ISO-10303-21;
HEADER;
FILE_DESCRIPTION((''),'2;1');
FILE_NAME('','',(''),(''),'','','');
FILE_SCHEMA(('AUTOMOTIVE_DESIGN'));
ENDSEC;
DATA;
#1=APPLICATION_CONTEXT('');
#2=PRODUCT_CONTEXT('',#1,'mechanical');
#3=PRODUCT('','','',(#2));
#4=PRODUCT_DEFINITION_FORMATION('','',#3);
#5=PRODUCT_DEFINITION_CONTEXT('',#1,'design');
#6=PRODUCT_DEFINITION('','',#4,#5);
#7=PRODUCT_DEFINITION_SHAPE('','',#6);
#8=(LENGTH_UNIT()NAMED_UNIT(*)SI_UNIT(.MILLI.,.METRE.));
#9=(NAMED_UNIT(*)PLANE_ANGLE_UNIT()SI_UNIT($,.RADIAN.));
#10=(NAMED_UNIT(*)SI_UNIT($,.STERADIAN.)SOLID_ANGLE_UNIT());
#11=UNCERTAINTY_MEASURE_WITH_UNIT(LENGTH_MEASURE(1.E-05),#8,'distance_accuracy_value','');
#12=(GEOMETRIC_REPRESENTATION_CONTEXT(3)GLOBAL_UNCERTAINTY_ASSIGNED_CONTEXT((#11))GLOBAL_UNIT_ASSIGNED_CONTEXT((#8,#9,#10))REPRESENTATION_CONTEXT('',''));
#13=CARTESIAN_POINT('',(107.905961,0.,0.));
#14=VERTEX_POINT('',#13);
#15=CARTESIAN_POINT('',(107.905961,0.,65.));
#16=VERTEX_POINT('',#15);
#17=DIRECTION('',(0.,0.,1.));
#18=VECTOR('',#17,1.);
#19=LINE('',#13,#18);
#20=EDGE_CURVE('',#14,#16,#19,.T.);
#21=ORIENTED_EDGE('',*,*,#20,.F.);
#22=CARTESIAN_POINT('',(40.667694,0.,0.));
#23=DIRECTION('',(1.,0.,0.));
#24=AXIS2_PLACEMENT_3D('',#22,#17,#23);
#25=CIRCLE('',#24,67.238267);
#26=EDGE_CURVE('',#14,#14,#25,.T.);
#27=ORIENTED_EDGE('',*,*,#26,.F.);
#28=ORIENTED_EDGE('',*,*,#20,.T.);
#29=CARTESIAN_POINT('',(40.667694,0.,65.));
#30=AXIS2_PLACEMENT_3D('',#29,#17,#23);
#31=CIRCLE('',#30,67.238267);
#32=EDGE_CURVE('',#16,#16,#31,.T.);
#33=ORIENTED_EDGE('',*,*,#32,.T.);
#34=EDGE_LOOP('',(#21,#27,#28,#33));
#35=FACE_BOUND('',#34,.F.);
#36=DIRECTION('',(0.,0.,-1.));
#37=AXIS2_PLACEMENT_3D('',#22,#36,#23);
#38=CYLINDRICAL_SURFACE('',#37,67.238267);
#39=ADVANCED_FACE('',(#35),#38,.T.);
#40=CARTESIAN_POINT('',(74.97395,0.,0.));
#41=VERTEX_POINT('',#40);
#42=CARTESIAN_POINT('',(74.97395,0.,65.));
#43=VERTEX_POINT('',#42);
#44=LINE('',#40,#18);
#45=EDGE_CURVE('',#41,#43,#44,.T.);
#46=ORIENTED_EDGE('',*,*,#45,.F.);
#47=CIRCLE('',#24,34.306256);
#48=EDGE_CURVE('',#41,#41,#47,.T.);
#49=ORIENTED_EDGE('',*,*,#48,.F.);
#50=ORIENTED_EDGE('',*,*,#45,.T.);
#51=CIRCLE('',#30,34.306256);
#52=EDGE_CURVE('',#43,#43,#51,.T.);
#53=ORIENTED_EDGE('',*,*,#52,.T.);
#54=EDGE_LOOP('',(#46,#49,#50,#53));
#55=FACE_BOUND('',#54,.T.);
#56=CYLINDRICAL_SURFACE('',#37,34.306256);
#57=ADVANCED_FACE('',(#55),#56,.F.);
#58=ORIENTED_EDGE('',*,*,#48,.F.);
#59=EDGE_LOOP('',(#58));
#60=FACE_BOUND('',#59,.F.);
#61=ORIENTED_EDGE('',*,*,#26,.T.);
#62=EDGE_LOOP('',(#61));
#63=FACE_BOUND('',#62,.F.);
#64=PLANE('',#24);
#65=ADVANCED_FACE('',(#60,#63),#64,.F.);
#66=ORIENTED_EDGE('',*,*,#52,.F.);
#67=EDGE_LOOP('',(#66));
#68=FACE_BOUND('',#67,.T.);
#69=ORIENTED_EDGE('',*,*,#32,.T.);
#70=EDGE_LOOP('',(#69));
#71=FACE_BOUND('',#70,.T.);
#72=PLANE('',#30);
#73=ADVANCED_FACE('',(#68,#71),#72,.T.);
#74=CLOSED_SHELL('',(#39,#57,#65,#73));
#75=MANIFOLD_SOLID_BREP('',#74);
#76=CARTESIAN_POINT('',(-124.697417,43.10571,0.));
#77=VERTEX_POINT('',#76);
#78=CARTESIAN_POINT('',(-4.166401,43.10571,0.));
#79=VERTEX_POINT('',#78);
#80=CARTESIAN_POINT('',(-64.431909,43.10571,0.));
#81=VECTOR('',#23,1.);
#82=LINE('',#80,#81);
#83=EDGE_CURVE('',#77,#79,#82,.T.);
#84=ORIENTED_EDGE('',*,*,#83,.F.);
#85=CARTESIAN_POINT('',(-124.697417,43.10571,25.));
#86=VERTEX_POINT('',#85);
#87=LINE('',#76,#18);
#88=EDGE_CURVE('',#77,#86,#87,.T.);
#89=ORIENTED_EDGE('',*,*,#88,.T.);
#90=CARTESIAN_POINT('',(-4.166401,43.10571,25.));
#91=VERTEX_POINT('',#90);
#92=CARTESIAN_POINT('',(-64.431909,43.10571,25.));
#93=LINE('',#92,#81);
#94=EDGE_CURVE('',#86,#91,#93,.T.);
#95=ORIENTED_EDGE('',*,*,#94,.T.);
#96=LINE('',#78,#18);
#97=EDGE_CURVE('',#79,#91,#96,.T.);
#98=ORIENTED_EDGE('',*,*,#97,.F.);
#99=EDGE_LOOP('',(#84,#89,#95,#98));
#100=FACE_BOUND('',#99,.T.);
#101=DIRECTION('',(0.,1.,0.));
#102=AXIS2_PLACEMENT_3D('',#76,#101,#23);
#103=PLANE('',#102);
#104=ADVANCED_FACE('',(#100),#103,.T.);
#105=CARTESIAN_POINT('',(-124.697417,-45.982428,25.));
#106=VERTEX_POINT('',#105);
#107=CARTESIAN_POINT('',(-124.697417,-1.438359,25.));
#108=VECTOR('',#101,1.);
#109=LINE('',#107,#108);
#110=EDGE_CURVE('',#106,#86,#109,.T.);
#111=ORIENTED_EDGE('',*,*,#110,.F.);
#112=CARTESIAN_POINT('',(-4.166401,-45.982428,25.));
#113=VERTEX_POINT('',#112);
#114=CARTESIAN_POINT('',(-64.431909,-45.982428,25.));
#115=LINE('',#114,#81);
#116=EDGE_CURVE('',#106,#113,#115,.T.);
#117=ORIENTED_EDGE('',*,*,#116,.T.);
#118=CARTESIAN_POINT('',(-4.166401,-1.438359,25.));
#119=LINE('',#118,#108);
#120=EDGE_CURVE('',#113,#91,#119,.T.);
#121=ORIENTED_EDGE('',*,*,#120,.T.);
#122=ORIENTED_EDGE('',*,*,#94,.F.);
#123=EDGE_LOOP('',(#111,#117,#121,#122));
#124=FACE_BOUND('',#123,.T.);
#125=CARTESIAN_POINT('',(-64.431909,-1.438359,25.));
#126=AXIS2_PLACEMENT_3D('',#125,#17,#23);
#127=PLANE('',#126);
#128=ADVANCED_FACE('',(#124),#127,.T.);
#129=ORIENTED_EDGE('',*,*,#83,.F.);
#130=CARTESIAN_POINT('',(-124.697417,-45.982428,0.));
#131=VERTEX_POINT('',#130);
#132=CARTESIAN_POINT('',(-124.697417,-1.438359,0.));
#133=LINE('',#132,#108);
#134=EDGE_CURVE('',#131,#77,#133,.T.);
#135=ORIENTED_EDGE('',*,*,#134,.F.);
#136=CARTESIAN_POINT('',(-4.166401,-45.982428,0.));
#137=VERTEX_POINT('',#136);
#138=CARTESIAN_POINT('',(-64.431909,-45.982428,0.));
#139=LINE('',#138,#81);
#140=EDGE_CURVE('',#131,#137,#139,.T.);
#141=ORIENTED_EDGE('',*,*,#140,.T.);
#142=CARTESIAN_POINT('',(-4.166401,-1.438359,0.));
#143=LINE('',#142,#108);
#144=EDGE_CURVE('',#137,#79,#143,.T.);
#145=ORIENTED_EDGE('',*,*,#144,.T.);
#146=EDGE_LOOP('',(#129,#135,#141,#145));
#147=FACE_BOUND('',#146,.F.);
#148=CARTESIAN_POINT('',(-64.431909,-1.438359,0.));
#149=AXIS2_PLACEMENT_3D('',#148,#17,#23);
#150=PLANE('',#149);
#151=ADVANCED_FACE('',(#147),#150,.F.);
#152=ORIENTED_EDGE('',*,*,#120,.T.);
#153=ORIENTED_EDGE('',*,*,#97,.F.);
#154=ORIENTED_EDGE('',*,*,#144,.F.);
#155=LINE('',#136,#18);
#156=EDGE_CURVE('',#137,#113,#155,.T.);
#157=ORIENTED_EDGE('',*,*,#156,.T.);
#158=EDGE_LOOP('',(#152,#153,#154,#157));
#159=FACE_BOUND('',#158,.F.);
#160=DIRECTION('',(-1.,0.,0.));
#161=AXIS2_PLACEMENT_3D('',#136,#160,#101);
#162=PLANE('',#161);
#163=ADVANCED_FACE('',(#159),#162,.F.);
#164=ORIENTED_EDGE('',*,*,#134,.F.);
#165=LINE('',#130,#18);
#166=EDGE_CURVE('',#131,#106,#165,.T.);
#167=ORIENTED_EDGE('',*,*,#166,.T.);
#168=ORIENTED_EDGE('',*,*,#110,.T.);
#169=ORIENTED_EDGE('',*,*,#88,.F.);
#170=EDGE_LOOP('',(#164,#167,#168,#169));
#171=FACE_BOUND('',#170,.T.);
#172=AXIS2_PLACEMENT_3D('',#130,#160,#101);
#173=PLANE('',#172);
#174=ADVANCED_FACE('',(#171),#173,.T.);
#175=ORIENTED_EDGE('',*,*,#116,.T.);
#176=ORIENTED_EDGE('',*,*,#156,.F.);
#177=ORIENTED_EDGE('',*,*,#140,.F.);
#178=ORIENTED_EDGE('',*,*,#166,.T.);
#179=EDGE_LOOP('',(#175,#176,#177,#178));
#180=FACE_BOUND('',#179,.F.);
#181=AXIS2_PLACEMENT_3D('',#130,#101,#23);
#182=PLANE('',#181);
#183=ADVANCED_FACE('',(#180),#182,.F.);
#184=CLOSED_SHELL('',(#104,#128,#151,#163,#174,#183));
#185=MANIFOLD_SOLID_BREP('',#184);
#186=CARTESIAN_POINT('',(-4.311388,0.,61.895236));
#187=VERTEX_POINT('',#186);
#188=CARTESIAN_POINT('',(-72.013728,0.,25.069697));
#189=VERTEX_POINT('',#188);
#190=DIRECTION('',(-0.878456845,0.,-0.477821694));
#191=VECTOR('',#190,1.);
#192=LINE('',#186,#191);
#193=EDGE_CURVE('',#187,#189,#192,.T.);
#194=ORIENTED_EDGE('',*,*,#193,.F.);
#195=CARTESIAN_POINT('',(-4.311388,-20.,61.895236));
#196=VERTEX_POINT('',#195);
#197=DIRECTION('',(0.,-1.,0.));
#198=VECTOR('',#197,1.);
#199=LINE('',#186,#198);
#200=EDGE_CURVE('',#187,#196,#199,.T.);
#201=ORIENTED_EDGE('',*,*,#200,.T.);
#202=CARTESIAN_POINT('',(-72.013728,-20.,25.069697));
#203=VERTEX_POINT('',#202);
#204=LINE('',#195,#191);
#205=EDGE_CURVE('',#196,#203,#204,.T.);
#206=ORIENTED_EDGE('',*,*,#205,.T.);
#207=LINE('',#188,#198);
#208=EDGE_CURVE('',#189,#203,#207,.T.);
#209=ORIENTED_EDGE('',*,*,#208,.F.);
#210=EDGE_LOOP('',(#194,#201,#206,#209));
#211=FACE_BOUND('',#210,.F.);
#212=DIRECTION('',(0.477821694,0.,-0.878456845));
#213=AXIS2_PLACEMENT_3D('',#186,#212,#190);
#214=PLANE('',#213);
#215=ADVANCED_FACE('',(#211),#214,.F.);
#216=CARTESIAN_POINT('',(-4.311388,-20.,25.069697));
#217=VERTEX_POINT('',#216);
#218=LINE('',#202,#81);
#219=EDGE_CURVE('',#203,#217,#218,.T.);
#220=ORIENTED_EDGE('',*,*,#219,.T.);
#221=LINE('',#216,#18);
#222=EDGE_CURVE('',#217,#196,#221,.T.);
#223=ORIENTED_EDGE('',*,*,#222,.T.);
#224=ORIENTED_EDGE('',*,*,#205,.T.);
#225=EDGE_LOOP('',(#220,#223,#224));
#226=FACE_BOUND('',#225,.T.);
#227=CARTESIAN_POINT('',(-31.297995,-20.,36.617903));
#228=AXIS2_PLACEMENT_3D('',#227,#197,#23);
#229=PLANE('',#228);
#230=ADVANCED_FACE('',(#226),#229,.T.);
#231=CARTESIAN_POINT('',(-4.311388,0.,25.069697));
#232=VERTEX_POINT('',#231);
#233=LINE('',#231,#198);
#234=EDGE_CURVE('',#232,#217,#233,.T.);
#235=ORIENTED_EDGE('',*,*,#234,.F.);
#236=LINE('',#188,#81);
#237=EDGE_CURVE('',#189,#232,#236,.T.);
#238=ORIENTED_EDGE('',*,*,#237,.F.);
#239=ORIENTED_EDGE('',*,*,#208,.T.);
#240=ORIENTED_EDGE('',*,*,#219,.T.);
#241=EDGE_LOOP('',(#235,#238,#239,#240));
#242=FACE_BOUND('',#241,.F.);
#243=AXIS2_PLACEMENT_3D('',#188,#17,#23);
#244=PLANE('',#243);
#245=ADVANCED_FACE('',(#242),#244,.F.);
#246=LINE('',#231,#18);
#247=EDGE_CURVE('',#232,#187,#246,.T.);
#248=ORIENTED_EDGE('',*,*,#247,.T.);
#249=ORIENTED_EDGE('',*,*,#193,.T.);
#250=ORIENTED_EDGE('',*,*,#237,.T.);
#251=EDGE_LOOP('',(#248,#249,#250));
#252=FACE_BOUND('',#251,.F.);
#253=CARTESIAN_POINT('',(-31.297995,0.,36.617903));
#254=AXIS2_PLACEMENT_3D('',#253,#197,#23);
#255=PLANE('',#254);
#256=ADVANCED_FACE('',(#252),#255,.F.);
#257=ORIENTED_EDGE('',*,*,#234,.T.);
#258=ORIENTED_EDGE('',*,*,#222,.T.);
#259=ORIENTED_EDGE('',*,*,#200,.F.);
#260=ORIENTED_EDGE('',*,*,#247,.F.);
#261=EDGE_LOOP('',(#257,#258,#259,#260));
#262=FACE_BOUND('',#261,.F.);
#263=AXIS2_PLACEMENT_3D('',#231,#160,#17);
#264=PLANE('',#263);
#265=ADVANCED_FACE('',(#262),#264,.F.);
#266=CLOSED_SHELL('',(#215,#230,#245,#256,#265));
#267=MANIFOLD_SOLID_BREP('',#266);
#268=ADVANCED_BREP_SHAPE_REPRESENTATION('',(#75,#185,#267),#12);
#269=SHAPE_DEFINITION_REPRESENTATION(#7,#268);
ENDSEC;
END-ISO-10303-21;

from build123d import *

# Parameters (mm, degrees)
F0_W     = 120.531016
F0_H     = 89.088138
F1_DEPTH = 25
F3_DEPTH = 20
F4_R     = 67.238267
F4_R_2   = 34.306256
F5_DEPTH = 65


with BuildPart() as f1:
    # F0 (on Top) → F1 (new body)
    with BuildSketch(Plane.XY):
        with Locations((-64.431909, -1.438359)):
            Rectangle(F0_W, F0_H)
    extrude(amount=F1_DEPTH)


with BuildPart() as f3:
    # F2 (on Front) → F3 (new body)
    with BuildSketch(Plane.XZ):
        Polygon((-4.311388, 61.895236), (-72.013728, 25.069697), (-4.311388, 25.069697), align=None)
    extrude(amount=F3_DEPTH)


with BuildPart() as f5:
    # F4 (on Top) → F5 (new body)
    with BuildSketch(Plane.XY):
        with Locations((40.667694, 0)):
            Circle(F4_R)
        with Locations((40.667694, 0)):
            Circle(F4_R_2, mode=Mode.SUBTRACT)
    extrude(amount=F5_DEPTH)


solid = Compound([f1.part, f3.part, f5.part])
